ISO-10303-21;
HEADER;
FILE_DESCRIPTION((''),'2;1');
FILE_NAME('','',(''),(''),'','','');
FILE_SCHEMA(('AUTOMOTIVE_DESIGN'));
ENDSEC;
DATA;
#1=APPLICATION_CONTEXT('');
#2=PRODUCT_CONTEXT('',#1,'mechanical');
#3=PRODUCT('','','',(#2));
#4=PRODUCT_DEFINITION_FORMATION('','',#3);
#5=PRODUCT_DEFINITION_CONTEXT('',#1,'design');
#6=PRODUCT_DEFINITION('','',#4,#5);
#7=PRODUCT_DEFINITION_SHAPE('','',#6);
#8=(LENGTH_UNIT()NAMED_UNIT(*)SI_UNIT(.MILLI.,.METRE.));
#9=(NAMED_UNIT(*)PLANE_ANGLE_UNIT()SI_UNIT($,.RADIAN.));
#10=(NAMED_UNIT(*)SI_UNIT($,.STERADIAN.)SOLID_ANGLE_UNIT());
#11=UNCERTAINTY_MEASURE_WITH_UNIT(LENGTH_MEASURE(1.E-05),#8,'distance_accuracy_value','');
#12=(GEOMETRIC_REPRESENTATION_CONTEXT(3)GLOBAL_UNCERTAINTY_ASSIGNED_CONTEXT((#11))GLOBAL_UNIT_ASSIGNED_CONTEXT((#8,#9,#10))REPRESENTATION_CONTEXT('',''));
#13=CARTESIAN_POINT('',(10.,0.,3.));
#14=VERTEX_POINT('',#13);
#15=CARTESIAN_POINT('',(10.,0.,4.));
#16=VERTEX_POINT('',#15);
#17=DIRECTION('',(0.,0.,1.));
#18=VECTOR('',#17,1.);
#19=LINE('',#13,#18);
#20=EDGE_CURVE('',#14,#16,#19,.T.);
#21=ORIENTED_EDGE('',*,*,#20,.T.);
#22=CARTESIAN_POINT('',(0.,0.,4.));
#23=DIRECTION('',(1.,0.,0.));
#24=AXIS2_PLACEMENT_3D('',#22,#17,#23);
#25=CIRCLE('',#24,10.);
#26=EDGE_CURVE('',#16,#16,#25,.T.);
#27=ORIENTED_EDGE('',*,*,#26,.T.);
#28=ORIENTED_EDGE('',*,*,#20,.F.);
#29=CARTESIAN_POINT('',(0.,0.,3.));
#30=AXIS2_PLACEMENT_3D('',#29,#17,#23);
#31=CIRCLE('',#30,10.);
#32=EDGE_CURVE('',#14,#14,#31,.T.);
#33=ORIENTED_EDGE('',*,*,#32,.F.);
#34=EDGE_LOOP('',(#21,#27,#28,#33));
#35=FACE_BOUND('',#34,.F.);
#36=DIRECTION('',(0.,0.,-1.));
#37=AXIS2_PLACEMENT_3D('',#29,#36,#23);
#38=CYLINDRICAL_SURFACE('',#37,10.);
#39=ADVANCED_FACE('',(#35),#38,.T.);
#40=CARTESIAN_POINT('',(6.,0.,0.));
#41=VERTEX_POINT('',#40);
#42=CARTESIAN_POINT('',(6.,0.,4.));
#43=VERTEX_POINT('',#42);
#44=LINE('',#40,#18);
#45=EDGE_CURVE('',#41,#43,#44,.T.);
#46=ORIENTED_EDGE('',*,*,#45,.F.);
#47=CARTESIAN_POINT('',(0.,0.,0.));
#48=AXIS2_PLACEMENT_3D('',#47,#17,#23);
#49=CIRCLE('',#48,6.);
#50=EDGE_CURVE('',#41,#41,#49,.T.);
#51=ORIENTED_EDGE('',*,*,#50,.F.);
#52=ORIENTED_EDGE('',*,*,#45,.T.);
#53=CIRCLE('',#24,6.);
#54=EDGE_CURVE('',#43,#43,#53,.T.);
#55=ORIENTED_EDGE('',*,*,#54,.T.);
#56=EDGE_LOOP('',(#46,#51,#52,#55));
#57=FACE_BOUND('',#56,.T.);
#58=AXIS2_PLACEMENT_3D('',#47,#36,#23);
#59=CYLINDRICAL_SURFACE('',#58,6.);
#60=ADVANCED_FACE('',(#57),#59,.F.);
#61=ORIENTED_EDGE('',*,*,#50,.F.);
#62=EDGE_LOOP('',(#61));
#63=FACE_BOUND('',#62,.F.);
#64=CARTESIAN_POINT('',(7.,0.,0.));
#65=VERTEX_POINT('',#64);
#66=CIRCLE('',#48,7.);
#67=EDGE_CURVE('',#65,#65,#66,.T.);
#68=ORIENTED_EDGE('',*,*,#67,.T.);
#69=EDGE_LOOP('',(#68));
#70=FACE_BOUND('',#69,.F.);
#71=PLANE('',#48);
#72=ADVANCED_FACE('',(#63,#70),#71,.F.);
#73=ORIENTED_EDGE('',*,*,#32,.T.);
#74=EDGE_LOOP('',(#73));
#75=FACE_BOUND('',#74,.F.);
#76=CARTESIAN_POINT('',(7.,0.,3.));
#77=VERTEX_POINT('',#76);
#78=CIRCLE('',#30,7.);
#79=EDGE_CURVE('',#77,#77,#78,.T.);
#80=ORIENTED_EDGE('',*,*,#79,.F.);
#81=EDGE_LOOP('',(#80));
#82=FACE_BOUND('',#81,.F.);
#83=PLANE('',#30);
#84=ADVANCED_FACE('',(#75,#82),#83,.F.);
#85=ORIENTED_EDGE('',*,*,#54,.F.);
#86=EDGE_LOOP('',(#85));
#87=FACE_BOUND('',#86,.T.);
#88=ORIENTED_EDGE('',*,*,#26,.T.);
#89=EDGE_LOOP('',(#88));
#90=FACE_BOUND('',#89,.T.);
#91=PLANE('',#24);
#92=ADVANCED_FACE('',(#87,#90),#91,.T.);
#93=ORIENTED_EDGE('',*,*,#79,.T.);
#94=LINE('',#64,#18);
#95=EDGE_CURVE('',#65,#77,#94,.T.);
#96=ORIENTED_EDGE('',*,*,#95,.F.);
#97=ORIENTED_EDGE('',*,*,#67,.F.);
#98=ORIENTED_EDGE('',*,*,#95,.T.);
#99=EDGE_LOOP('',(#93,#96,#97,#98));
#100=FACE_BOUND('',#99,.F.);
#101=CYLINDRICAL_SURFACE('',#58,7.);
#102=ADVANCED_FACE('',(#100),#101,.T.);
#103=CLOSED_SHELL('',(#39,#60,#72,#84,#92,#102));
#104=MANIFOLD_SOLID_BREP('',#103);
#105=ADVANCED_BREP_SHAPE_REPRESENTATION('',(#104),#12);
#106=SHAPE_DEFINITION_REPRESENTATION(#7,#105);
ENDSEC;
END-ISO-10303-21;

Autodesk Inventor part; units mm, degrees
ref_plane "YZ Plane" through (0, 0, 0) normal (1, 0, 0) x (0, 1, 0)
ref_plane "XZ Plane" through (0, 0, 0) normal (0, 1, 0) x (-1, 0, 0)
ref_plane "XY Plane" through (0, 0, 0) normal (0, 0, 1) x (1, 0, 0)
sketch "スケッチ1" plane through (0, 0, 0) normal (0, 0, 1) x (1, 0, 0)
  circle A0 centre (0, 0) radius 6
  circle A1 centre (0, 0) radius 7
  dimension "d0" = 12
  dimension "d1" = 14
extrude "押し出し1" add sketch "スケッチ1" along normal blind 3
sketch "スケッチ2" plane through (0, 0, 3) normal (0, 0, 1) x (1, 0, 0)
  circle A0 centre (0, 0) radius 6 projected
  circle A1 centre (0, 0) radius 10
  dimension "d4" = 20
extrude "押し出し2" add sketch "スケッチ2" along normal blind 1
properties part number "オイレスF 12-14 3t" material "アセタール樹脂、黒"
